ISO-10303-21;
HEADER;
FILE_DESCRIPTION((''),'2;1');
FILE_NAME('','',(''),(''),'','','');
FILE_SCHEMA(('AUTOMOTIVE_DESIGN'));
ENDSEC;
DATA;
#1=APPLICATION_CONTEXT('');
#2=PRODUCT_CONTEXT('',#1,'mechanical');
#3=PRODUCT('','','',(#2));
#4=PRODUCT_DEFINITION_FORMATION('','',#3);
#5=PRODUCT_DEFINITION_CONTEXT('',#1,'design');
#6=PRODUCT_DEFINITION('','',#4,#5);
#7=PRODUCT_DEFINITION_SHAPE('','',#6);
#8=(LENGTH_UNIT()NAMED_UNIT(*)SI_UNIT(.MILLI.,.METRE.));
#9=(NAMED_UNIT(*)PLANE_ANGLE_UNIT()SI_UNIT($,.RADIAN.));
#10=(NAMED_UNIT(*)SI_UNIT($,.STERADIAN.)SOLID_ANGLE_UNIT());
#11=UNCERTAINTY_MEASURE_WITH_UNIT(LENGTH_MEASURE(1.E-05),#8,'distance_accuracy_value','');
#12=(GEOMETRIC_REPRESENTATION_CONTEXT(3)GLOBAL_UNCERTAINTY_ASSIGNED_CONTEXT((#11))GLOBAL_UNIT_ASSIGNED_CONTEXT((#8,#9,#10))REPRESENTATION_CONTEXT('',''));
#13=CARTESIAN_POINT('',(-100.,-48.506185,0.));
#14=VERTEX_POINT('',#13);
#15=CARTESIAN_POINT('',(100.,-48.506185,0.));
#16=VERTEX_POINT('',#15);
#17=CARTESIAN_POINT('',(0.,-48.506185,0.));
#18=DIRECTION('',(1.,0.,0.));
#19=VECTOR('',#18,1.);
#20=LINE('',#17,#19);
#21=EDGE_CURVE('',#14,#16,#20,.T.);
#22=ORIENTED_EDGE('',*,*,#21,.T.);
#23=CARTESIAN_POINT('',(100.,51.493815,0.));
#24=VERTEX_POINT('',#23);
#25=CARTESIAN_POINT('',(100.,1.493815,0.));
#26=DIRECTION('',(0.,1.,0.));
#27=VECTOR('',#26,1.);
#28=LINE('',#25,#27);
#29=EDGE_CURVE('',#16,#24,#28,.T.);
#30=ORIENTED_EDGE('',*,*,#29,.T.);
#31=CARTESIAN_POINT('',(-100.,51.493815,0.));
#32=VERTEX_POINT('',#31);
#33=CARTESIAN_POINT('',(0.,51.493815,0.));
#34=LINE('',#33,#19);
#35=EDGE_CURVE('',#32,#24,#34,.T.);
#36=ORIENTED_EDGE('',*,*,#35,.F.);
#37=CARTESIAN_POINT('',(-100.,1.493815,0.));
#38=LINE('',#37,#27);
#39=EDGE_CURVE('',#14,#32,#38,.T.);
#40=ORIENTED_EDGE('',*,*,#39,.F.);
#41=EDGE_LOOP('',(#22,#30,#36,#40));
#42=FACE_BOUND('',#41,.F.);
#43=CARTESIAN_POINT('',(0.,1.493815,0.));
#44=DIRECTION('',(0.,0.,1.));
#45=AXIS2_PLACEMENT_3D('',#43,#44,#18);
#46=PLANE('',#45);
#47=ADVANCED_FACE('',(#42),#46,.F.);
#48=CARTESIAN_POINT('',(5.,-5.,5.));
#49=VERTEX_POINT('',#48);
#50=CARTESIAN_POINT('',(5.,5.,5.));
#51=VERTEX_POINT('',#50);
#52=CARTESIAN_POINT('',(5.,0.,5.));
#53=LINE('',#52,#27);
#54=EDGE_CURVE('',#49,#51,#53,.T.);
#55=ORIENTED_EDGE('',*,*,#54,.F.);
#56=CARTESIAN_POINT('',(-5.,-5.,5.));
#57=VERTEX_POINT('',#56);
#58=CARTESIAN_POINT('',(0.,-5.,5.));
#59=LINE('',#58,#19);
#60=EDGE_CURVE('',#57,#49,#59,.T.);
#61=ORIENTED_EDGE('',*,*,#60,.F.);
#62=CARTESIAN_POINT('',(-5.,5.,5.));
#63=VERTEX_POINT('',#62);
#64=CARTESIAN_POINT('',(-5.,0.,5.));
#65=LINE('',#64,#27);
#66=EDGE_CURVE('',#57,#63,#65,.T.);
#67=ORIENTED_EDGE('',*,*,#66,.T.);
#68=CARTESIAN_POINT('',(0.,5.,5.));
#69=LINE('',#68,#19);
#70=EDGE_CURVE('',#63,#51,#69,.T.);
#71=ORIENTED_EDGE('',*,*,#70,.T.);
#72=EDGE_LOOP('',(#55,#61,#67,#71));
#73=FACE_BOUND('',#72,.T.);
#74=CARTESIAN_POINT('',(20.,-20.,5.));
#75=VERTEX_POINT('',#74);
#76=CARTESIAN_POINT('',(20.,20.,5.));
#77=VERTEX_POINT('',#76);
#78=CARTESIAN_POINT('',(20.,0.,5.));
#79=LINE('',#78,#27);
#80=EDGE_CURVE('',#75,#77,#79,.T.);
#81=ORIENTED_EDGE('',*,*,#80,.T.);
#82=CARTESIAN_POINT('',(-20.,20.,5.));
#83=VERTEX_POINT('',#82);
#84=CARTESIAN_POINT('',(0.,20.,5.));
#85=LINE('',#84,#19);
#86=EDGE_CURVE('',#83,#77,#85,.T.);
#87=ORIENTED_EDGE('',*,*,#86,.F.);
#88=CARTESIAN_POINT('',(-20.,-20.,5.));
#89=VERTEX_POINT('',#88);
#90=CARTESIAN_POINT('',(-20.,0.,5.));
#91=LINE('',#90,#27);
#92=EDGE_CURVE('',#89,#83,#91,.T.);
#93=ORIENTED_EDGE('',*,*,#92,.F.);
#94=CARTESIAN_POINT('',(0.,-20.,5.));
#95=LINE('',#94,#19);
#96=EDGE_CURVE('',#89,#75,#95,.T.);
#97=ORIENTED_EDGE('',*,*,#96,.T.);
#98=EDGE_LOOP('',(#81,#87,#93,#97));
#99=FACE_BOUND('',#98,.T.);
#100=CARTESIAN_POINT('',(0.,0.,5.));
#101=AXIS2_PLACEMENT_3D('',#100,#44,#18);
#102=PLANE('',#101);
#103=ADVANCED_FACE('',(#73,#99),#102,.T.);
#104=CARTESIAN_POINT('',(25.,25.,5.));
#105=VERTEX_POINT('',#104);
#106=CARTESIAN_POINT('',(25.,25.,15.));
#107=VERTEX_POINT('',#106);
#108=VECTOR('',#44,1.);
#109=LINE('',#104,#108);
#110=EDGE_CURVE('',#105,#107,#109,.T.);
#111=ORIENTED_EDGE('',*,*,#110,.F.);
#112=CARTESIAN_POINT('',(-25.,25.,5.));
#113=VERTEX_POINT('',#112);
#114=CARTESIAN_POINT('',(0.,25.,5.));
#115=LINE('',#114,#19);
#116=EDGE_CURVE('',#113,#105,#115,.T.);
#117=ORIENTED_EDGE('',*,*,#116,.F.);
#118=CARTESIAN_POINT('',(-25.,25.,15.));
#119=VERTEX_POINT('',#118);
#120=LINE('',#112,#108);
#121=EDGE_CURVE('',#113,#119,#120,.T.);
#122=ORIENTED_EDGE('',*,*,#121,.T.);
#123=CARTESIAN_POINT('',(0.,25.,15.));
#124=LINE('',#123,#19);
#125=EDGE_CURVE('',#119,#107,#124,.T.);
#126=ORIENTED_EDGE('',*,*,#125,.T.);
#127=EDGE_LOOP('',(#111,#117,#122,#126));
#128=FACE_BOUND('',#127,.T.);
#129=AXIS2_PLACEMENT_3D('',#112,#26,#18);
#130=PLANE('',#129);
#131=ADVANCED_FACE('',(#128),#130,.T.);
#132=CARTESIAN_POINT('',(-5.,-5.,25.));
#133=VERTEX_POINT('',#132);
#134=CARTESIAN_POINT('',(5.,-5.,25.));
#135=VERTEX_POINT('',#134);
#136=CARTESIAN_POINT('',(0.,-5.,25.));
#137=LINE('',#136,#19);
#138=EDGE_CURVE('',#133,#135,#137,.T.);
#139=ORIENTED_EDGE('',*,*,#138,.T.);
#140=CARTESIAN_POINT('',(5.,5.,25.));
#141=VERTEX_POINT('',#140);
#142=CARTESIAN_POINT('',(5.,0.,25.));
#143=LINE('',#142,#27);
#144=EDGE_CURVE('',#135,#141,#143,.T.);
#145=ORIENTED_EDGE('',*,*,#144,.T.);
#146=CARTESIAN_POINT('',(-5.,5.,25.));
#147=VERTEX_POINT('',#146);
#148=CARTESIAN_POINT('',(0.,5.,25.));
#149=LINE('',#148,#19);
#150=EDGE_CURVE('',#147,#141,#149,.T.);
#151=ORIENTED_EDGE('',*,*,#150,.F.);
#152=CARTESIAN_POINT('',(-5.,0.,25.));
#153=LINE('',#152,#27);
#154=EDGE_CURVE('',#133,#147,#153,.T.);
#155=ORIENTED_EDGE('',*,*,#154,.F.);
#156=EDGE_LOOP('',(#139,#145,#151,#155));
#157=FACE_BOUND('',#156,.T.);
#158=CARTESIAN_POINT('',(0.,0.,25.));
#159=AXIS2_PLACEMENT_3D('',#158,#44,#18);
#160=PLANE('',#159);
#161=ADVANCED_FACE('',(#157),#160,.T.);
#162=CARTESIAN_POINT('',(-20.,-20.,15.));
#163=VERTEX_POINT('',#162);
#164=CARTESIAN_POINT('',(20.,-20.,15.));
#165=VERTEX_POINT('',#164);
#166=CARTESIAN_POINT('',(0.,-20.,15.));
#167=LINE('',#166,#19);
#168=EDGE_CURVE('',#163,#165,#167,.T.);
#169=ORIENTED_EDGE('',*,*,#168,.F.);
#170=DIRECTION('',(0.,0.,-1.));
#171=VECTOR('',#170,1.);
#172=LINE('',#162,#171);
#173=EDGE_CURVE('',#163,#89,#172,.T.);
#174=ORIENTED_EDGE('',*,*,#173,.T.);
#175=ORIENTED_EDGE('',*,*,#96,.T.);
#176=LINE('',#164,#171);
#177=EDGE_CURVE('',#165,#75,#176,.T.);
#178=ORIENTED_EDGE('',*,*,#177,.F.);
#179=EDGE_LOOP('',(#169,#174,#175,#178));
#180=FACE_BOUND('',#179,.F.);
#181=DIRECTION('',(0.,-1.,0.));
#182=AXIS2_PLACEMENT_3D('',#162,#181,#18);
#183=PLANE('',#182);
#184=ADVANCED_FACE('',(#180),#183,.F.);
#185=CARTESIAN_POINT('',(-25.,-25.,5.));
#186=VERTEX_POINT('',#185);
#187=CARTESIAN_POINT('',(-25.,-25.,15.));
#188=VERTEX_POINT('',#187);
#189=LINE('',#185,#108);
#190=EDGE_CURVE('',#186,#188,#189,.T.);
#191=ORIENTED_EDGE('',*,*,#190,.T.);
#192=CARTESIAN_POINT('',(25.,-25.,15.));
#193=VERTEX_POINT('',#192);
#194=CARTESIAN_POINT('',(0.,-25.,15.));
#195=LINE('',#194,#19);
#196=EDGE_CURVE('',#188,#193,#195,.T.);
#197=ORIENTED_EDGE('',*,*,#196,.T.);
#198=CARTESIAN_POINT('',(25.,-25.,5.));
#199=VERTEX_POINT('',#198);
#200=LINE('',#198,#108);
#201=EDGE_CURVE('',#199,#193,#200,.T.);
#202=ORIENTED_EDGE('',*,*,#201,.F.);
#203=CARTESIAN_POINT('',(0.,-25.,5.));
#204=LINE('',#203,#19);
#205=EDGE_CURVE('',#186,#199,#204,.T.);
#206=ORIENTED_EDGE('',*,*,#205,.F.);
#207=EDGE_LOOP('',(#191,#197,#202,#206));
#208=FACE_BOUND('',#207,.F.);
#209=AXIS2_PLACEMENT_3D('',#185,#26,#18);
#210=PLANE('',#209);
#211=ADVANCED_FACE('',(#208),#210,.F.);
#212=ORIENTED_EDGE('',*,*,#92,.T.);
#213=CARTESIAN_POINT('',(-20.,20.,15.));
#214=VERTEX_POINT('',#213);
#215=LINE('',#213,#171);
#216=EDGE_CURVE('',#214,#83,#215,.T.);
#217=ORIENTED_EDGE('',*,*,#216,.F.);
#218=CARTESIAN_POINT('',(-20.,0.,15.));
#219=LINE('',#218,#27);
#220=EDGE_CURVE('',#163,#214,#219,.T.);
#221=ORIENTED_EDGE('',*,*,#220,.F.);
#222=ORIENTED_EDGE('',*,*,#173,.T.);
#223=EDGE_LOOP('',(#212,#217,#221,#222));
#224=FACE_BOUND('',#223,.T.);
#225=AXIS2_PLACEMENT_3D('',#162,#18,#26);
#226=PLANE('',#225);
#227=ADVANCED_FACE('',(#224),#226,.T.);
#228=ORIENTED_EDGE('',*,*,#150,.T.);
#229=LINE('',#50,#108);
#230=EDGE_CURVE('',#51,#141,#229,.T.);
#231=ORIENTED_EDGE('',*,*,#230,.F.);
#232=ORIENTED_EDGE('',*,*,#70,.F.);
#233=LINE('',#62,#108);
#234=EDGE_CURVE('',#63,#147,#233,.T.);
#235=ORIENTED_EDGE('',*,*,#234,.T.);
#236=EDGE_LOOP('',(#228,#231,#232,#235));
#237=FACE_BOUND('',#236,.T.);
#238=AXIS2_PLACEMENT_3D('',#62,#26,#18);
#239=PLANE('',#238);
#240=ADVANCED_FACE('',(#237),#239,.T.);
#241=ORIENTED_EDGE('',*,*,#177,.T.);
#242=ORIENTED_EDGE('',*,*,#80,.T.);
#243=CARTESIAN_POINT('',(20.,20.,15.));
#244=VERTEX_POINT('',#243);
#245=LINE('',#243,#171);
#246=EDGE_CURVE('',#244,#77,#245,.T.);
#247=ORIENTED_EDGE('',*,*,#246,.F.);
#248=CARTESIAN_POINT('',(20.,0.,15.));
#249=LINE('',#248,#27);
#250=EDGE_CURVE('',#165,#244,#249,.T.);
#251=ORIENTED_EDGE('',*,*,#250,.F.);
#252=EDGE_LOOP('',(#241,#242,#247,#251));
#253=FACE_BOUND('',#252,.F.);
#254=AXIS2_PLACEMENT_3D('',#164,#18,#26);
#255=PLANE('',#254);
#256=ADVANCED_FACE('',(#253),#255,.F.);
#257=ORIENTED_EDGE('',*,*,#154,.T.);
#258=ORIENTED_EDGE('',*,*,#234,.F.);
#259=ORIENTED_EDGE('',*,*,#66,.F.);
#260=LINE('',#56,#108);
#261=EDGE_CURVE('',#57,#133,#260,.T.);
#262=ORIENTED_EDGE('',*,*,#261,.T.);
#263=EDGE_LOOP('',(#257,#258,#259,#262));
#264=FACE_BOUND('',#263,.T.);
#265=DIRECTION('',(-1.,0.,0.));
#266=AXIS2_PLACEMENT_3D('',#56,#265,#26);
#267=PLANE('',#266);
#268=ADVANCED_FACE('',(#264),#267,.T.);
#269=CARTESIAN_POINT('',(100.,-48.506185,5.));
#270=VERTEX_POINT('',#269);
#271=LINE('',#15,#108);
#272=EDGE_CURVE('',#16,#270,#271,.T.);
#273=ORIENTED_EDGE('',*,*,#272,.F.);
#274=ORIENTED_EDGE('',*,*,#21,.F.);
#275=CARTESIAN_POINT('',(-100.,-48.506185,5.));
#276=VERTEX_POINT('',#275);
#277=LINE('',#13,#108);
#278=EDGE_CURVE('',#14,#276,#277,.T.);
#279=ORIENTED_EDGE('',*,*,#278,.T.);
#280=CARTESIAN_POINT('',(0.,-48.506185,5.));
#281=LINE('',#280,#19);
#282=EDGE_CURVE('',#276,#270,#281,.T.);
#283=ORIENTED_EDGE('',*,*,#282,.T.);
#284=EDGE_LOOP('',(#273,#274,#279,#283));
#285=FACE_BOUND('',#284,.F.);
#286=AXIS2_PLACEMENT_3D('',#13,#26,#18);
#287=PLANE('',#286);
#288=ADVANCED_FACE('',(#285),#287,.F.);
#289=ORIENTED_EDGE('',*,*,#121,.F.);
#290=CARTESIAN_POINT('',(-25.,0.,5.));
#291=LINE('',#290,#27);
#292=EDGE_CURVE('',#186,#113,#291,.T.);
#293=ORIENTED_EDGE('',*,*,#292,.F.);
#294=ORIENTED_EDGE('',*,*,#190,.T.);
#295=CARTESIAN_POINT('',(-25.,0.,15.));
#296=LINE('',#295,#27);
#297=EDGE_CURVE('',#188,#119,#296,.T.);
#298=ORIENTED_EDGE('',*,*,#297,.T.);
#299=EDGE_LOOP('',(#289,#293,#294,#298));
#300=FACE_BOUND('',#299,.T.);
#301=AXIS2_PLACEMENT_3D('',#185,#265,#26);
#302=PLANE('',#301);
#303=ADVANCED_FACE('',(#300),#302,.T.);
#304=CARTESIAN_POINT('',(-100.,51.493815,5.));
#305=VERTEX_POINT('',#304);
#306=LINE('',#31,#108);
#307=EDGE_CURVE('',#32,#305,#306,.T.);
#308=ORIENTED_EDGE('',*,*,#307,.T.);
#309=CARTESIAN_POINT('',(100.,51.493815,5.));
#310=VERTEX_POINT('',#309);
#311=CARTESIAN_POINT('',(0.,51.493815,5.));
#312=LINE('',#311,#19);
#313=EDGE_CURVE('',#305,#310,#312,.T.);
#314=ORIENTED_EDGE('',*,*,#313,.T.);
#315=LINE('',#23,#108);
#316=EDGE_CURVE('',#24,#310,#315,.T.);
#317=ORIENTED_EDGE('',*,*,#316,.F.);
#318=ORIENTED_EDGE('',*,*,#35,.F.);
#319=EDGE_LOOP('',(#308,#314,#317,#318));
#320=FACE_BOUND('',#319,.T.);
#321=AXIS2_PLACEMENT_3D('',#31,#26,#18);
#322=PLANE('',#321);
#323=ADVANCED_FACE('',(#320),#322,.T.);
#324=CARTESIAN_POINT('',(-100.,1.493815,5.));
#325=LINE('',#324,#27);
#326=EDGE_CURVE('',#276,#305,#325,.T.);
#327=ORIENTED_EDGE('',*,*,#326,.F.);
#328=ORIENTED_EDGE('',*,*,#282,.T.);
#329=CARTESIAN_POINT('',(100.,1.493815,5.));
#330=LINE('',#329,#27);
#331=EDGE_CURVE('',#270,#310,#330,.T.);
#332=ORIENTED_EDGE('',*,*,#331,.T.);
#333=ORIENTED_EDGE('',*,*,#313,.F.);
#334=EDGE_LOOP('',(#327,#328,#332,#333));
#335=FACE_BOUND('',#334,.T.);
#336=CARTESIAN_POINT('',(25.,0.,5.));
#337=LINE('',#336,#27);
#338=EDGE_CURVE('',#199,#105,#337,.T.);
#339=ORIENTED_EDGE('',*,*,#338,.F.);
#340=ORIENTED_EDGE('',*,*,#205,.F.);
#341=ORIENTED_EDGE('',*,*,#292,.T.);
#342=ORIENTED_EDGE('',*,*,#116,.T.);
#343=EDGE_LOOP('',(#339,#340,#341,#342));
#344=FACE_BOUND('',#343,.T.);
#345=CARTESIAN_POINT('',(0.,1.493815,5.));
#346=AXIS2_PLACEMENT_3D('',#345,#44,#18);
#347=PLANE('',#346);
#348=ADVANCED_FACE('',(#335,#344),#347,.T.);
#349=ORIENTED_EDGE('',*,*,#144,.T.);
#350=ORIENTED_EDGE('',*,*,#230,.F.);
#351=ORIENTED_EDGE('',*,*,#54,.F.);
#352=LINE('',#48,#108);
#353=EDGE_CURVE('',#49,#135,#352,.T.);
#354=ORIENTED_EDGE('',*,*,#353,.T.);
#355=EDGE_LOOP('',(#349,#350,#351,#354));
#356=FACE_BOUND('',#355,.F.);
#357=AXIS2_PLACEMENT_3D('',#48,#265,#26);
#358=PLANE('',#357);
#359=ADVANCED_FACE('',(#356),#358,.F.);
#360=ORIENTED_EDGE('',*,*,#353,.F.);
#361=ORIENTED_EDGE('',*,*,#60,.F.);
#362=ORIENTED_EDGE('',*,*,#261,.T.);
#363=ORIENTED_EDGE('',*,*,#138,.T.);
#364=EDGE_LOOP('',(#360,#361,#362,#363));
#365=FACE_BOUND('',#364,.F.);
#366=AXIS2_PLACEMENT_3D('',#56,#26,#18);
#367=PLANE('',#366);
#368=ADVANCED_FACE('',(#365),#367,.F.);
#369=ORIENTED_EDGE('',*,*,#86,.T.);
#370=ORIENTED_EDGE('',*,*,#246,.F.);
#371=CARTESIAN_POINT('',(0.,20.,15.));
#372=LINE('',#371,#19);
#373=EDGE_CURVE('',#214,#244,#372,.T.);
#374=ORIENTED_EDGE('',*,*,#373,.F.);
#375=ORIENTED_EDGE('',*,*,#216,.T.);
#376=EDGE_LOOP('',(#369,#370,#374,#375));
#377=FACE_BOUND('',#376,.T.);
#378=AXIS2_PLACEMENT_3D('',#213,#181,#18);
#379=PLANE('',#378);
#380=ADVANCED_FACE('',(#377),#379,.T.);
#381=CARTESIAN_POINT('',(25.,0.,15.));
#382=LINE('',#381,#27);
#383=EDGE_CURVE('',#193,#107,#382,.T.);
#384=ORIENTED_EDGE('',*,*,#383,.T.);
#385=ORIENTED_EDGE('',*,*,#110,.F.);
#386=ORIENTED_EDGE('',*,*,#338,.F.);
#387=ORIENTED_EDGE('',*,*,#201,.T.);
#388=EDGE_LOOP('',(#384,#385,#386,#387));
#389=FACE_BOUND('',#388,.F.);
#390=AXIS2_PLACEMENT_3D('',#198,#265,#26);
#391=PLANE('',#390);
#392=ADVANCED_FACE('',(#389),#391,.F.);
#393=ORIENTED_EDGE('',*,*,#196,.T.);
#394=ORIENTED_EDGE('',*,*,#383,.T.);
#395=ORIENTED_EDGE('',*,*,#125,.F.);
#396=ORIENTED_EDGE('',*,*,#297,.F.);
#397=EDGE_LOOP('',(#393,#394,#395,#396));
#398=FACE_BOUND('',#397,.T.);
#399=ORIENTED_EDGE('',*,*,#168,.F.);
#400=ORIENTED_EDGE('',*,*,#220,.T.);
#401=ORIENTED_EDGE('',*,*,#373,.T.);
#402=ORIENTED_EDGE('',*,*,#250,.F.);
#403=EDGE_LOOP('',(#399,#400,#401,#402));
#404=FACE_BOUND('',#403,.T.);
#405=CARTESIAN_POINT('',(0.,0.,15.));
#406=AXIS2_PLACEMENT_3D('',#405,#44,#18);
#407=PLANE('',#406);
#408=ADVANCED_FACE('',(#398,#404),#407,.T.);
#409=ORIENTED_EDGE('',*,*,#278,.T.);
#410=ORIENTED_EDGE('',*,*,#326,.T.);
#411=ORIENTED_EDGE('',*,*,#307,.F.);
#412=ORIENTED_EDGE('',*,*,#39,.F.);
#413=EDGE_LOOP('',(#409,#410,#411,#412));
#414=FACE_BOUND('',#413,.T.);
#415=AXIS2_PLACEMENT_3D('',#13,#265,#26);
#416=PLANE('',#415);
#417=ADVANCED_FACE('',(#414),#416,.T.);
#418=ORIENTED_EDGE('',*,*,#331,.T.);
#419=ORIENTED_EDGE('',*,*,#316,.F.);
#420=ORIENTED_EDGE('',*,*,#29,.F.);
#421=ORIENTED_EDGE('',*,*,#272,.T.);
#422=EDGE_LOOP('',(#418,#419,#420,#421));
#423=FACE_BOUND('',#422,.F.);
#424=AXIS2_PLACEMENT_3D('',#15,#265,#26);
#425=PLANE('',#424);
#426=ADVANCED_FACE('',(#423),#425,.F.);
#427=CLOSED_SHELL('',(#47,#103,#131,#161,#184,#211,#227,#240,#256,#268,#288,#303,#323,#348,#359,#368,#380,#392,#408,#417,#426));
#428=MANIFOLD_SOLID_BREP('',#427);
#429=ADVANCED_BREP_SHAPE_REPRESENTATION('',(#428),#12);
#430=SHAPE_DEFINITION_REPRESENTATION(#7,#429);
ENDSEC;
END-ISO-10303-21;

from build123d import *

# Parameters (mm, degrees)
F0_W     = 200
F0_H     = 100
F1_DEPTH = 5
F2_W     = 50
F2_H     = 50
F3_DEPTH = 10
F4_W     = 40
F4_H     = 40
F5_DEPTH = 10
F6_W     = 10
F6_H     = 10
F7_DEPTH = 20


with BuildPart() as f1:
    # F0 (on Top) → F1 (new body)
    with BuildSketch(Plane.XY):
        with Locations((0, 1.493815)):
            Rectangle(F0_W, F0_H)
    extrude(amount=F1_DEPTH)

    # F2 (on face) → F3 (join)
    with BuildSketch(Plane.XY.offset(5)):
        Rectangle(F2_W, F2_H)
    extrude(amount=F3_DEPTH)

    # F4 (on face) → F5 (cut)
    with BuildSketch(Plane.XY.offset(15)):
        Rectangle(F4_W, F4_H)
    extrude(amount=-F5_DEPTH, mode=Mode.SUBTRACT)

    # F6 (on face) → F7 (join)
    with BuildSketch(Plane.XY.offset(5)):
        Rectangle(F6_W, F6_H)
    extrude(amount=F7_DEPTH)


solid = f1.part
